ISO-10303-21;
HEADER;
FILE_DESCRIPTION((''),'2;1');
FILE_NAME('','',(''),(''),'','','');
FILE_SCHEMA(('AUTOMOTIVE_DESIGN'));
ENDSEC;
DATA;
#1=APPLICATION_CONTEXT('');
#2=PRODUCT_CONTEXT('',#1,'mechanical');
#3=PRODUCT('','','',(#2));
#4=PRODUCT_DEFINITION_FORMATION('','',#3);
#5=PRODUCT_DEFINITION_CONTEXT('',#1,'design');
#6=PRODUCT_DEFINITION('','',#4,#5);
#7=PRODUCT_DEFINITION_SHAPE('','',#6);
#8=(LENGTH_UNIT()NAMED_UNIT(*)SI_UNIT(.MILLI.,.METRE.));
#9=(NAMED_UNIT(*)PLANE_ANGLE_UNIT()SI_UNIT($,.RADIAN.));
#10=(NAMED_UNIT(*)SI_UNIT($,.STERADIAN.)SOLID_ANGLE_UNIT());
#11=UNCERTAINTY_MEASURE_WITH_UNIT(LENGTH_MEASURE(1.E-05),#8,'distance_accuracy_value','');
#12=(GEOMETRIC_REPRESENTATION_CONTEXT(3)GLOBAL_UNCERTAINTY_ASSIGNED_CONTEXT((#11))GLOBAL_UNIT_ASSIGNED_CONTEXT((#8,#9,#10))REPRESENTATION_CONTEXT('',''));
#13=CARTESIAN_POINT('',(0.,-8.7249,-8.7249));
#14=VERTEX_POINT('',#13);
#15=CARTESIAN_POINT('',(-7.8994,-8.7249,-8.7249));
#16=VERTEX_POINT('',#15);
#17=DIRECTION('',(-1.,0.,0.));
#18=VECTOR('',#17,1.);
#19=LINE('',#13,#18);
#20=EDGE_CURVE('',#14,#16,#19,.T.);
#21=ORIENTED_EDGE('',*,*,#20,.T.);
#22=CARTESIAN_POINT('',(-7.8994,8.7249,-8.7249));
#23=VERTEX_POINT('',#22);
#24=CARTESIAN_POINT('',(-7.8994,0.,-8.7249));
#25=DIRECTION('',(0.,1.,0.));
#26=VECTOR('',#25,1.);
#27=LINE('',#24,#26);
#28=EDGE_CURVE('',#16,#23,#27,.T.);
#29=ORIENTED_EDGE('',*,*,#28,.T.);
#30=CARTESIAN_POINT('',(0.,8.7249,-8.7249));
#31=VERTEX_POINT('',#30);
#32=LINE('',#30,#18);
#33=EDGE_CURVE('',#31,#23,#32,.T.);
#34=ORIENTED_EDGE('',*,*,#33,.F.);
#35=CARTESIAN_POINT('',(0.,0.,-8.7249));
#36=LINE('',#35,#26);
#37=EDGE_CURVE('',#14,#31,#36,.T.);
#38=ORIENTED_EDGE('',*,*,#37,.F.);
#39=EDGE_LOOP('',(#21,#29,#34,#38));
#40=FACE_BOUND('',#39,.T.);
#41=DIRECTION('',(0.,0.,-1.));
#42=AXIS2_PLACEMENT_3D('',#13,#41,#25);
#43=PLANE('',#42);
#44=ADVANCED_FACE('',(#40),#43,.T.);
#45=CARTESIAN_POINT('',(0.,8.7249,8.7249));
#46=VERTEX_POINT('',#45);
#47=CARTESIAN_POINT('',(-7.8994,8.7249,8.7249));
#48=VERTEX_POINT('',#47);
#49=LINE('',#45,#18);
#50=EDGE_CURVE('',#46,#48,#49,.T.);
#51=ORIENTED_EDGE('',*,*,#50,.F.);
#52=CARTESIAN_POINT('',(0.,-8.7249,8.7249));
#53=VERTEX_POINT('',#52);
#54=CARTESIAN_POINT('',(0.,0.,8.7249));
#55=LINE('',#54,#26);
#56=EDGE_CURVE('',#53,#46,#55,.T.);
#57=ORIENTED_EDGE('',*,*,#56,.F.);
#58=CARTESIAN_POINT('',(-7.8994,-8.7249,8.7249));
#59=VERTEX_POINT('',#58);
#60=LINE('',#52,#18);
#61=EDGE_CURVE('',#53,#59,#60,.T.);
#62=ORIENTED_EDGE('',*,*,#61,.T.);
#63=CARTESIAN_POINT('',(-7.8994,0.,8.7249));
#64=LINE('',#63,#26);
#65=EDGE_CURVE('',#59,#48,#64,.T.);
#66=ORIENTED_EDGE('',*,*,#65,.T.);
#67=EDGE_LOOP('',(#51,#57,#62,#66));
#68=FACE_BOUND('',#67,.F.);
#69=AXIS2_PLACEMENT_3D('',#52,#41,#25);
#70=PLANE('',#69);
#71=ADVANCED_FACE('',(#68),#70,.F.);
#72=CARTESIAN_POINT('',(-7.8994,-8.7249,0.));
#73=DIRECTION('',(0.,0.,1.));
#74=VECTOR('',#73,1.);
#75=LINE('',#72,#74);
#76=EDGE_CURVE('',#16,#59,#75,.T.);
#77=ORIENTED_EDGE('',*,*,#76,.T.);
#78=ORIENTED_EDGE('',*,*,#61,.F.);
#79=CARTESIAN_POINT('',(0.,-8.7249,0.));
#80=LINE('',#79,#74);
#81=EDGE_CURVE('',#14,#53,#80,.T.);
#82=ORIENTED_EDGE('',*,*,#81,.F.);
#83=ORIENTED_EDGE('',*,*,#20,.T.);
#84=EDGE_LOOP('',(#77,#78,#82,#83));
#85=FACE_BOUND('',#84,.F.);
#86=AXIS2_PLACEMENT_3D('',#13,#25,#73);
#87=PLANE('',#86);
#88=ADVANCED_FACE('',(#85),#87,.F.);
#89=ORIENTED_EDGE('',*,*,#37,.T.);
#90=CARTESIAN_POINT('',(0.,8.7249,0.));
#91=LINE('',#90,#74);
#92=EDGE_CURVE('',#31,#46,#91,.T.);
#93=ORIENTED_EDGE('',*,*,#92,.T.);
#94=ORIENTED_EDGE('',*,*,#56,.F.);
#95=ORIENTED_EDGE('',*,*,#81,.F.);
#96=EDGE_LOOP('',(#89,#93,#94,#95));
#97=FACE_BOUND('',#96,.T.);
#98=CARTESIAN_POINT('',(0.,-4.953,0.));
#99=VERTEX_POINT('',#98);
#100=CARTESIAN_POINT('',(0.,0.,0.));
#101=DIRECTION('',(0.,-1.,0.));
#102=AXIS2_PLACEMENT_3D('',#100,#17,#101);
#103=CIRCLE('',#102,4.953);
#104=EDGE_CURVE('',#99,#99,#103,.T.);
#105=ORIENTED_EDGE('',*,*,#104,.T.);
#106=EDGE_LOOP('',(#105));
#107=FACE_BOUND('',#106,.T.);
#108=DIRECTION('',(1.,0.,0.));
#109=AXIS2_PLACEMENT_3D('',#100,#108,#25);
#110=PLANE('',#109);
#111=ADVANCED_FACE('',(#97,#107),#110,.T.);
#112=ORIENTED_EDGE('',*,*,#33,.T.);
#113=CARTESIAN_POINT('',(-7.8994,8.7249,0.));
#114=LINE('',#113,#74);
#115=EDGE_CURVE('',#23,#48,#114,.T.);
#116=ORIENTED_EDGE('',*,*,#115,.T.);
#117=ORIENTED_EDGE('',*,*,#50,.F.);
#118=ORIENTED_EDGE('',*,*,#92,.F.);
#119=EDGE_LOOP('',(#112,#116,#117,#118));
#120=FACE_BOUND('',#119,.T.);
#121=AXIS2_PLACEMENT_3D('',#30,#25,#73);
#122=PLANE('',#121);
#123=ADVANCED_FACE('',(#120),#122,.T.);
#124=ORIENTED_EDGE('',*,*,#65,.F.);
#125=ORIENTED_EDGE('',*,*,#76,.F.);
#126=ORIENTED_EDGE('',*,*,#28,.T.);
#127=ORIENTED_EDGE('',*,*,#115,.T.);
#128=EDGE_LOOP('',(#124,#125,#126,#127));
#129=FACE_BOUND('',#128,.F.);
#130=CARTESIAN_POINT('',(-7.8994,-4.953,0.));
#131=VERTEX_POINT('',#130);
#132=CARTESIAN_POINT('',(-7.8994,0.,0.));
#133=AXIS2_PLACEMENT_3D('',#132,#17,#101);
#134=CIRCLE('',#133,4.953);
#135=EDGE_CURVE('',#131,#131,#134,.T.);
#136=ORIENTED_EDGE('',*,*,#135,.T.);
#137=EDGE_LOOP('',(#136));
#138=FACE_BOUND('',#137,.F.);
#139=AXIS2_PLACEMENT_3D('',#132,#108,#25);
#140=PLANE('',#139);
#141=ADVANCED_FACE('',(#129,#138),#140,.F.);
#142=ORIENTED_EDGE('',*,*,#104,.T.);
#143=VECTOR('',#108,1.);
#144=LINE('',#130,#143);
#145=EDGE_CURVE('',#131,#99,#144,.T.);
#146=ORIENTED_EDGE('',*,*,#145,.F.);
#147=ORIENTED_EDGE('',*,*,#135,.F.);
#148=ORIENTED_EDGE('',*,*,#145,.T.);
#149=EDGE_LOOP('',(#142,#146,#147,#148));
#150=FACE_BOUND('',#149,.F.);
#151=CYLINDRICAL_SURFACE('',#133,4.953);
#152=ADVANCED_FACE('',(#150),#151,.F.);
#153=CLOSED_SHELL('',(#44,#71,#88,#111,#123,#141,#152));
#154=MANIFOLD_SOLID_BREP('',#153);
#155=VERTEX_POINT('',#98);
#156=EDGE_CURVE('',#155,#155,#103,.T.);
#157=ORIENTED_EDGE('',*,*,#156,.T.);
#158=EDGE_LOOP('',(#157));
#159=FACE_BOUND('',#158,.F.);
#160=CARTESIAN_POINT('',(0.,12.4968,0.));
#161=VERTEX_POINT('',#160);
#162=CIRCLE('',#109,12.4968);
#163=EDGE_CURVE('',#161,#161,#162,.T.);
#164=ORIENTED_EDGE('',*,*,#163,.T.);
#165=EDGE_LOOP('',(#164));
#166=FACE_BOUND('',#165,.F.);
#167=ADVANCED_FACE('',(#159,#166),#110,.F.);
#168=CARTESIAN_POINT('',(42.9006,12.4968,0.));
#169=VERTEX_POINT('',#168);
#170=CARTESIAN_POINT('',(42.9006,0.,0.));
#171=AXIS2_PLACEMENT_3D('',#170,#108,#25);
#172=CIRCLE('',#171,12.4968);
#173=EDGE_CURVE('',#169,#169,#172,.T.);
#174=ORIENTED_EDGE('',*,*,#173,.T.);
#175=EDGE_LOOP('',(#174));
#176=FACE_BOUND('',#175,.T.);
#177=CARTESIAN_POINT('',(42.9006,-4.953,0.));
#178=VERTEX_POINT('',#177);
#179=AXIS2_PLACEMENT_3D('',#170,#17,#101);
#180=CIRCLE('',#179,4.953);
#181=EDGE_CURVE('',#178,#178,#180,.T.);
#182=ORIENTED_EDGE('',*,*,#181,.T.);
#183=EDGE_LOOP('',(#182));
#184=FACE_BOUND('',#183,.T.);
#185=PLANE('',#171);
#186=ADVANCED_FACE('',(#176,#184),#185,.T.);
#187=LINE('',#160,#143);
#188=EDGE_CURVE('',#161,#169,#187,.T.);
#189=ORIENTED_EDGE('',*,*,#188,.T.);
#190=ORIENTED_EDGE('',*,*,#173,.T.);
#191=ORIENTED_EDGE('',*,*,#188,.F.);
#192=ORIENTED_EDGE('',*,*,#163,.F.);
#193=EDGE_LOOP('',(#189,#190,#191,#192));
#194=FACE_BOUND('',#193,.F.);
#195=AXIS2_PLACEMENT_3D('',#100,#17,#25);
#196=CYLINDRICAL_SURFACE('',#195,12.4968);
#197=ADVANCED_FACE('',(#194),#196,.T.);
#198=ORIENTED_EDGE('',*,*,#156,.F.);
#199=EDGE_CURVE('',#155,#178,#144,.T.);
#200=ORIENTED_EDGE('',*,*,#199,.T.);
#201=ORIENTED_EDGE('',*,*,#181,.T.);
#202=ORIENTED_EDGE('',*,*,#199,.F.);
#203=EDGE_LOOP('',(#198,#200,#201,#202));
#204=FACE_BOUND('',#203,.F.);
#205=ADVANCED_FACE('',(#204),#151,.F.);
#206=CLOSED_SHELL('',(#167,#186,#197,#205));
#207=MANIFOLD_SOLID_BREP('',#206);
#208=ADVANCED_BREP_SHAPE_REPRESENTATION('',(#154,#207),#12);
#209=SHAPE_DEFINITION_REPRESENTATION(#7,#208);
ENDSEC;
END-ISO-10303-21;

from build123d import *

# Parameters (mm, degrees)
F0_W     = 17.4498
F0_H     = 17.4498
F1_DEPTH = 7.8994
F0_R     = 12.4968
F2_DEPTH = 42.9006
F3_R     = 4.953
F4_DEPTH = 50.8


with BuildPart() as f1:
    # F0 (on Right) → F1 (new body)
    with BuildSketch(Plane.YZ):
        Rectangle(F0_W, F0_H)
    extrude(amount=-F1_DEPTH)


with BuildPart() as f2:
    # F0 (on Right) → F2 (new body)
    with BuildSketch(Plane.YZ):
        Circle(F0_R)
        Rectangle(F0_W, F0_H, mode=Mode.SUBTRACT)
        Rectangle(F0_W, F0_H)
    extrude(amount=F2_DEPTH)


with BuildPart() as f4_tool:
    # F3 (on face) → F4 (new body)
    with BuildSketch(Plane(origin=(-7.8994, 0, 0), x_dir=(0, -1, 0), z_dir=(-1, 0, 0))):
        Circle(F3_R)
    extrude(amount=-F4_DEPTH)


with BuildPart() as f1_1:
    add(f1.part)

    # F4: cut by f4_tool
    add(f4_tool.part, mode=Mode.SUBTRACT)


with BuildPart() as f2_1:
    add(f2.part)

    # F4: cut by f4_tool
    add(f4_tool.part, mode=Mode.SUBTRACT)


solid = Compound([f1_1.part, f2_1.part])
